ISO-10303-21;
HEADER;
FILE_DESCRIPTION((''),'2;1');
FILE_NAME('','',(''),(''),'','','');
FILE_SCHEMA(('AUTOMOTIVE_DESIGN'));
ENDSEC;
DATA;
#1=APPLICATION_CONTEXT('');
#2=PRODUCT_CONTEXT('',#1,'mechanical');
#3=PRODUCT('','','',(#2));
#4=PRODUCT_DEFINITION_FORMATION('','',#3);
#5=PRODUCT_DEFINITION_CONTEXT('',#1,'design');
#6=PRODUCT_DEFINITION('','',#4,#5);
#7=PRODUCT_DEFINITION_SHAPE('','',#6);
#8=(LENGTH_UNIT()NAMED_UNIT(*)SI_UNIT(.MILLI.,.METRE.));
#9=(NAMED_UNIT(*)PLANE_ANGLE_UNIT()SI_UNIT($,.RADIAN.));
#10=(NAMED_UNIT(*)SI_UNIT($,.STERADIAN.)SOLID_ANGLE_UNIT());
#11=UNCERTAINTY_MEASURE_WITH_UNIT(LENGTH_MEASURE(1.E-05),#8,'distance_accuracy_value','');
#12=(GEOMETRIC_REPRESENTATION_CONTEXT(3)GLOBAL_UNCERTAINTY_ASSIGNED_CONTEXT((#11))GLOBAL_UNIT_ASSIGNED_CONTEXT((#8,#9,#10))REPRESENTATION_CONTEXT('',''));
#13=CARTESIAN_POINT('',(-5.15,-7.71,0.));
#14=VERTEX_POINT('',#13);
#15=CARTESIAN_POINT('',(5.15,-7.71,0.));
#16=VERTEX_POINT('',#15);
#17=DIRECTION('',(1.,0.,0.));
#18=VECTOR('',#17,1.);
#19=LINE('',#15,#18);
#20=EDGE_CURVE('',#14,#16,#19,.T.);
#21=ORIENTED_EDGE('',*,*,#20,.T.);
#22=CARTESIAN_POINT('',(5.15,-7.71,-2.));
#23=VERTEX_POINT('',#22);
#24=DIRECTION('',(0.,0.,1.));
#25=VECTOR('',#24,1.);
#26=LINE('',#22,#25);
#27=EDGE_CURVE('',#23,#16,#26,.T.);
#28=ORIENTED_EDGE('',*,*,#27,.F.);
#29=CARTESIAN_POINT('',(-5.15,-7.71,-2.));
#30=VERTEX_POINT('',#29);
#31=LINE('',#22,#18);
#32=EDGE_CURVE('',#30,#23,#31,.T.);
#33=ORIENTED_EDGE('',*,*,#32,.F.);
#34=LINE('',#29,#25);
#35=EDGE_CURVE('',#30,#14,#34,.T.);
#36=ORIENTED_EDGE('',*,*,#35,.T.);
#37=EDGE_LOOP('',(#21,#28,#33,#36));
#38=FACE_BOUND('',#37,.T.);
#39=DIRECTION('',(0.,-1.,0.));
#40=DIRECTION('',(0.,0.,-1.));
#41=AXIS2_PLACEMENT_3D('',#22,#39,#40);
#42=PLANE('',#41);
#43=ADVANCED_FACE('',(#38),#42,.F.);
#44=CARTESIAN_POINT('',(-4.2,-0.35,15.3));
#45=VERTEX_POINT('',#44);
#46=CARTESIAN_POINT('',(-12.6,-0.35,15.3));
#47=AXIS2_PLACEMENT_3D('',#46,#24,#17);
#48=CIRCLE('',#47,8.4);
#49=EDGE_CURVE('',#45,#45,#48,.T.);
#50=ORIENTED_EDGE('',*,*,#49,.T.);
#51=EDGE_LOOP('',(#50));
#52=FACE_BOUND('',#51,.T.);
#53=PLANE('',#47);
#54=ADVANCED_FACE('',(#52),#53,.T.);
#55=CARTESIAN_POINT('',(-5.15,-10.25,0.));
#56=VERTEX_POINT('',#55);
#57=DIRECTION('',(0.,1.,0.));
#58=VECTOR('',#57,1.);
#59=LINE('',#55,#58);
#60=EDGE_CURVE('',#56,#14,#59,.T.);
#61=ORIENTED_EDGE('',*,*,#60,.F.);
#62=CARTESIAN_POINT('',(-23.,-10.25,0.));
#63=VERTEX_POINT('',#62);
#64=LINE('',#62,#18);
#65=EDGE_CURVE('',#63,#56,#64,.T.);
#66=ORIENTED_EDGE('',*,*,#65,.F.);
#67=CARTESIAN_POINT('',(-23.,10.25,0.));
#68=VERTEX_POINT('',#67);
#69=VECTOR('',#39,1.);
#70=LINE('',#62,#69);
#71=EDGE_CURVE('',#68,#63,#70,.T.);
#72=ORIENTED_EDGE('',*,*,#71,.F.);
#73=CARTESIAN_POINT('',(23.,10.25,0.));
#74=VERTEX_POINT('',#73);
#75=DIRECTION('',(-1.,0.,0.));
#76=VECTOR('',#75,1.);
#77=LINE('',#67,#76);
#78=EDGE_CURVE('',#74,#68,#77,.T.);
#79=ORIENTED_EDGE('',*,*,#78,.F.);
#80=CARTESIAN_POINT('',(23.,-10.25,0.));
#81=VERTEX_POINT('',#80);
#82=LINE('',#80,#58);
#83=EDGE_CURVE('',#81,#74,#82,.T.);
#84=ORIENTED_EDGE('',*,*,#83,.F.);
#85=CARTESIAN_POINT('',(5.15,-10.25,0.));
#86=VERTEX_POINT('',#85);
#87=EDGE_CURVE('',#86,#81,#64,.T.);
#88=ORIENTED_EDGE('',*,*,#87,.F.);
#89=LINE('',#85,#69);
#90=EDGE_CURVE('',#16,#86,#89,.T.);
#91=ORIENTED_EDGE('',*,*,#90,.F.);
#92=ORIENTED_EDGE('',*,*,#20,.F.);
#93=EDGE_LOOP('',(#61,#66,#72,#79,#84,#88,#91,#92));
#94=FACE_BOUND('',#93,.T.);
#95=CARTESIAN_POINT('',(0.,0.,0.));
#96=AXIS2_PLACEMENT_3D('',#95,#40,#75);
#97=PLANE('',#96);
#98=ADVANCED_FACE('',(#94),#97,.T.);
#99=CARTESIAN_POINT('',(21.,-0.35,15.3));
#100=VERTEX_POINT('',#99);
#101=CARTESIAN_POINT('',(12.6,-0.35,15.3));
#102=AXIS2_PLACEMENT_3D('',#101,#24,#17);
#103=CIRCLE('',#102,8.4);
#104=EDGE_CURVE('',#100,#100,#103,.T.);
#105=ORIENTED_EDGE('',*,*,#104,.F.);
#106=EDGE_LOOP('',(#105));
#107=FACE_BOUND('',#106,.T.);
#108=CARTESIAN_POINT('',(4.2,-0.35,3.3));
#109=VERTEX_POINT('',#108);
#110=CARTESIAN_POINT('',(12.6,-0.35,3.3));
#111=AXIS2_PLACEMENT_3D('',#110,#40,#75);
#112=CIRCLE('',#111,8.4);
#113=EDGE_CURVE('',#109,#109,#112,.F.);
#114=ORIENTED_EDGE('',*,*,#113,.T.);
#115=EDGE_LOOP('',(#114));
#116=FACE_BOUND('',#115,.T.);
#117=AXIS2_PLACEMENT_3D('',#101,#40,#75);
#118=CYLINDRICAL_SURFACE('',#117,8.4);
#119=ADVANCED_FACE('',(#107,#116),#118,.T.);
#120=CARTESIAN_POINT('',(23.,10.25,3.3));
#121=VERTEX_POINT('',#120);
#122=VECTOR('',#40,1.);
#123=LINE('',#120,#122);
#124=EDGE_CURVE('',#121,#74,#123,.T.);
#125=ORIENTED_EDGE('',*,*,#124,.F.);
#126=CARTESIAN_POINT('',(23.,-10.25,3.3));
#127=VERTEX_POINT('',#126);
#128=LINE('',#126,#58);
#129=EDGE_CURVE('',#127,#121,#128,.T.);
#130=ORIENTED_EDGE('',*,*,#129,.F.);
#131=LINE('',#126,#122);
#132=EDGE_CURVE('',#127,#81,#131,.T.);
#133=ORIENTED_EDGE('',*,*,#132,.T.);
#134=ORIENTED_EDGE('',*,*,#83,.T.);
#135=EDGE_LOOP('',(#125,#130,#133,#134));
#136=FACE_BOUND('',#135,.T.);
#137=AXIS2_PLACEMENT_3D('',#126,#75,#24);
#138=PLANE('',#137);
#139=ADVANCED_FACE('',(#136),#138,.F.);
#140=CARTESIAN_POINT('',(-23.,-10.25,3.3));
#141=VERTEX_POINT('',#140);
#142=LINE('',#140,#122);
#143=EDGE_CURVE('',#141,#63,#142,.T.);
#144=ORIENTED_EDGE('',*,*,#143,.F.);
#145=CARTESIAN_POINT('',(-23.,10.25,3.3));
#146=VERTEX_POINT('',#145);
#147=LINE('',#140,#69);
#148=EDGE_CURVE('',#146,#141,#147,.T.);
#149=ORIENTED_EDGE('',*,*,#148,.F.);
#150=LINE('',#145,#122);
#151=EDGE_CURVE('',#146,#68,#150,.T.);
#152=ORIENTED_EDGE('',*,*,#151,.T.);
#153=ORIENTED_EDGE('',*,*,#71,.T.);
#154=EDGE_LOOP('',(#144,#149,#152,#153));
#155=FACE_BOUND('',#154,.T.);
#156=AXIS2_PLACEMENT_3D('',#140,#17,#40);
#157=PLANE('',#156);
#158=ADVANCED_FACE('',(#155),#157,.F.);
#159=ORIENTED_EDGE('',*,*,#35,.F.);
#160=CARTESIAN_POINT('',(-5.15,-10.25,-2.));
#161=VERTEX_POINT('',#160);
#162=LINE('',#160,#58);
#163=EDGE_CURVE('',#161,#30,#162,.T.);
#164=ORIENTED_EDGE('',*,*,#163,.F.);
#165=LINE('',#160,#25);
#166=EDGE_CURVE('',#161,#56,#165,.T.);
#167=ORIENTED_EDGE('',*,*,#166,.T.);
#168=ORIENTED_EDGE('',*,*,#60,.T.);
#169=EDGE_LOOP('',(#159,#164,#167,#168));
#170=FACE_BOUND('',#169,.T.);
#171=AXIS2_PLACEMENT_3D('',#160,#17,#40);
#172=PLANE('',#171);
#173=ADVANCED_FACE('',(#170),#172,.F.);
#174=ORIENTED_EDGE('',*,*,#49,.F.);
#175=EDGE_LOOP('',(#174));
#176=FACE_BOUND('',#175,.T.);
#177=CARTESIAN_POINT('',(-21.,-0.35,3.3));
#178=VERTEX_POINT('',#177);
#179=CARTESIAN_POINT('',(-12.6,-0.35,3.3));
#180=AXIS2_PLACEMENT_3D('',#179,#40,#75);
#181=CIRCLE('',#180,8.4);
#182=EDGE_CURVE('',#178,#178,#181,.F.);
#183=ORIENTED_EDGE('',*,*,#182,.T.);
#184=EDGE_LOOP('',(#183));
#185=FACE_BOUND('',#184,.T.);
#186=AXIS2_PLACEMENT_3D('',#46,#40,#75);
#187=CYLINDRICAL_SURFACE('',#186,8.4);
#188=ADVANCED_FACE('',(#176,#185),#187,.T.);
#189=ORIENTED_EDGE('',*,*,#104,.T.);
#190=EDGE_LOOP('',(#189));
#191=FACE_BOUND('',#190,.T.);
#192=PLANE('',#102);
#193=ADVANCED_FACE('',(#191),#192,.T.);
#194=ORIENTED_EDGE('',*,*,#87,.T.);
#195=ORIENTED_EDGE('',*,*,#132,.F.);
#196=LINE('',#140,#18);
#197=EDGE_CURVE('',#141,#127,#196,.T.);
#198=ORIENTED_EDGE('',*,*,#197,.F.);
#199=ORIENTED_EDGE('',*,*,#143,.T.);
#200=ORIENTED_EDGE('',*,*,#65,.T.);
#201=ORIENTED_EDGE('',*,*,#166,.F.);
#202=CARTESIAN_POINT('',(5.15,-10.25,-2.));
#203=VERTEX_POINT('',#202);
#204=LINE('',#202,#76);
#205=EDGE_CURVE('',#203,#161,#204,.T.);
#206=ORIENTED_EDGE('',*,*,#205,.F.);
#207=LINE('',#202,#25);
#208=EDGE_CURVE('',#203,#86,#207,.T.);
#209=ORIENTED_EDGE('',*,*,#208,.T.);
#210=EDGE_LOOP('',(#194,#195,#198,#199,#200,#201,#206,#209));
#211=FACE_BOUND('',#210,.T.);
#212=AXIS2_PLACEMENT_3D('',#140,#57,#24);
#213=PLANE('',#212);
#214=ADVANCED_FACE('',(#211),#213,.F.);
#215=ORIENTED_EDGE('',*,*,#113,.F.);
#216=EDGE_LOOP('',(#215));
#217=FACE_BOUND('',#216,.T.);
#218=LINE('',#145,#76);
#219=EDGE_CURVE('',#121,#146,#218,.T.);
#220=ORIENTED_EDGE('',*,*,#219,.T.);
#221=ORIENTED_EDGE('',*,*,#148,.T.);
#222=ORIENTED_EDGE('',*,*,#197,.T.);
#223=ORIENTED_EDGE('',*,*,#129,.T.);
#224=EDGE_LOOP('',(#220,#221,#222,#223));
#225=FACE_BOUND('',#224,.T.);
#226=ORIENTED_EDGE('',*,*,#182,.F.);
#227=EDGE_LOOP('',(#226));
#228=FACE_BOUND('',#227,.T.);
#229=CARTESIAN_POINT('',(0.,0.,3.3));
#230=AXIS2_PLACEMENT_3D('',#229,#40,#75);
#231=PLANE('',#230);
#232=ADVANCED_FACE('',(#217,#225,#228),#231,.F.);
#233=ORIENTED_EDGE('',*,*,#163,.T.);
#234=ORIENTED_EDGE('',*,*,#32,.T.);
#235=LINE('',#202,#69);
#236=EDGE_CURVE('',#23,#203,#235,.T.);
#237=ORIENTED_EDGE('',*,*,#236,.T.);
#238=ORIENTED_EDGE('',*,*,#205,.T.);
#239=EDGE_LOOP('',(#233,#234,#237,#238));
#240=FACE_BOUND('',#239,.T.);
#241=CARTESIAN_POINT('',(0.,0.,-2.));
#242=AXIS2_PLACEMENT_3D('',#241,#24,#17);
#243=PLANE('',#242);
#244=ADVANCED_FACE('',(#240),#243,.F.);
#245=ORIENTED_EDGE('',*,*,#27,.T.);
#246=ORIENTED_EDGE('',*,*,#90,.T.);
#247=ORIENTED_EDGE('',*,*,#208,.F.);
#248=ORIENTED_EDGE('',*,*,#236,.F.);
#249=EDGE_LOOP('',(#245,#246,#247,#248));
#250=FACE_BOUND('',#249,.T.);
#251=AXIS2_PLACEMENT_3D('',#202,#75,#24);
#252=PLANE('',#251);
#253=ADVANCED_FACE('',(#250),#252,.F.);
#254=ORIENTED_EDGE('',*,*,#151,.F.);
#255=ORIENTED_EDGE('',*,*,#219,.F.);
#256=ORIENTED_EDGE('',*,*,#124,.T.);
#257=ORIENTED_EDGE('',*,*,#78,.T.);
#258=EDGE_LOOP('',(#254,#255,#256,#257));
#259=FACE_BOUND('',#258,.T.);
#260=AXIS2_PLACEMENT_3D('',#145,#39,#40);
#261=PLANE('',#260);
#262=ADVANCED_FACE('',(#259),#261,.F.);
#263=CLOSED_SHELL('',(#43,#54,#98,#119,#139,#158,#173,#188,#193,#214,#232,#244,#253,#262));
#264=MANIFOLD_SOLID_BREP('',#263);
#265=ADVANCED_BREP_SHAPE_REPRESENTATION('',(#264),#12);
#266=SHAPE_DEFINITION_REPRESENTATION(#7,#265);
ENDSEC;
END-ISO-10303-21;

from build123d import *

# Parameters (mm, degrees)
SKETCH1_W           = 46
SKETCH1_H           = 20.5
BOSS_EXTRUDE1_DEPTH = 3.3
SKETCH2_R           = 8.4
BOSS_EXTRUDE2_DEPTH = 12
SKETCH3_W           = 10.3
SKETCH3_H           = 2.54
BOSS_EXTRUDE3_DEPTH = 2


with BuildPart() as part:
    # Sketch1 → Boss-Extrude1 (new body)
    with BuildSketch(Plane.XY):
        Rectangle(SKETCH1_W, SKETCH1_H)
    extrude(amount=BOSS_EXTRUDE1_DEPTH)

    # Sketch2 → Boss-Extrude2 (add)
    with BuildSketch(Plane.XY.offset(3.3)):
        with Locations(Location((-12.6, -0.35, 0), (0, 0, 180))):
            Circle(SKETCH2_R)
        with Locations(Location((12.6, -0.35, 0), (0, 0, 180))):
            Circle(SKETCH2_R)
    extrude(amount=BOSS_EXTRUDE2_DEPTH)

    # Sketch3 → Boss-Extrude3 (add)
    with BuildSketch(Plane(origin=(0, 0, 0), x_dir=(-1, 0, 0), z_dir=(0, 0, -1))):
        with Locations((0, -8.98)):
            Rectangle(SKETCH3_W, SKETCH3_H)
    extrude(amount=BOSS_EXTRUDE3_DEPTH)


solid = part.part
